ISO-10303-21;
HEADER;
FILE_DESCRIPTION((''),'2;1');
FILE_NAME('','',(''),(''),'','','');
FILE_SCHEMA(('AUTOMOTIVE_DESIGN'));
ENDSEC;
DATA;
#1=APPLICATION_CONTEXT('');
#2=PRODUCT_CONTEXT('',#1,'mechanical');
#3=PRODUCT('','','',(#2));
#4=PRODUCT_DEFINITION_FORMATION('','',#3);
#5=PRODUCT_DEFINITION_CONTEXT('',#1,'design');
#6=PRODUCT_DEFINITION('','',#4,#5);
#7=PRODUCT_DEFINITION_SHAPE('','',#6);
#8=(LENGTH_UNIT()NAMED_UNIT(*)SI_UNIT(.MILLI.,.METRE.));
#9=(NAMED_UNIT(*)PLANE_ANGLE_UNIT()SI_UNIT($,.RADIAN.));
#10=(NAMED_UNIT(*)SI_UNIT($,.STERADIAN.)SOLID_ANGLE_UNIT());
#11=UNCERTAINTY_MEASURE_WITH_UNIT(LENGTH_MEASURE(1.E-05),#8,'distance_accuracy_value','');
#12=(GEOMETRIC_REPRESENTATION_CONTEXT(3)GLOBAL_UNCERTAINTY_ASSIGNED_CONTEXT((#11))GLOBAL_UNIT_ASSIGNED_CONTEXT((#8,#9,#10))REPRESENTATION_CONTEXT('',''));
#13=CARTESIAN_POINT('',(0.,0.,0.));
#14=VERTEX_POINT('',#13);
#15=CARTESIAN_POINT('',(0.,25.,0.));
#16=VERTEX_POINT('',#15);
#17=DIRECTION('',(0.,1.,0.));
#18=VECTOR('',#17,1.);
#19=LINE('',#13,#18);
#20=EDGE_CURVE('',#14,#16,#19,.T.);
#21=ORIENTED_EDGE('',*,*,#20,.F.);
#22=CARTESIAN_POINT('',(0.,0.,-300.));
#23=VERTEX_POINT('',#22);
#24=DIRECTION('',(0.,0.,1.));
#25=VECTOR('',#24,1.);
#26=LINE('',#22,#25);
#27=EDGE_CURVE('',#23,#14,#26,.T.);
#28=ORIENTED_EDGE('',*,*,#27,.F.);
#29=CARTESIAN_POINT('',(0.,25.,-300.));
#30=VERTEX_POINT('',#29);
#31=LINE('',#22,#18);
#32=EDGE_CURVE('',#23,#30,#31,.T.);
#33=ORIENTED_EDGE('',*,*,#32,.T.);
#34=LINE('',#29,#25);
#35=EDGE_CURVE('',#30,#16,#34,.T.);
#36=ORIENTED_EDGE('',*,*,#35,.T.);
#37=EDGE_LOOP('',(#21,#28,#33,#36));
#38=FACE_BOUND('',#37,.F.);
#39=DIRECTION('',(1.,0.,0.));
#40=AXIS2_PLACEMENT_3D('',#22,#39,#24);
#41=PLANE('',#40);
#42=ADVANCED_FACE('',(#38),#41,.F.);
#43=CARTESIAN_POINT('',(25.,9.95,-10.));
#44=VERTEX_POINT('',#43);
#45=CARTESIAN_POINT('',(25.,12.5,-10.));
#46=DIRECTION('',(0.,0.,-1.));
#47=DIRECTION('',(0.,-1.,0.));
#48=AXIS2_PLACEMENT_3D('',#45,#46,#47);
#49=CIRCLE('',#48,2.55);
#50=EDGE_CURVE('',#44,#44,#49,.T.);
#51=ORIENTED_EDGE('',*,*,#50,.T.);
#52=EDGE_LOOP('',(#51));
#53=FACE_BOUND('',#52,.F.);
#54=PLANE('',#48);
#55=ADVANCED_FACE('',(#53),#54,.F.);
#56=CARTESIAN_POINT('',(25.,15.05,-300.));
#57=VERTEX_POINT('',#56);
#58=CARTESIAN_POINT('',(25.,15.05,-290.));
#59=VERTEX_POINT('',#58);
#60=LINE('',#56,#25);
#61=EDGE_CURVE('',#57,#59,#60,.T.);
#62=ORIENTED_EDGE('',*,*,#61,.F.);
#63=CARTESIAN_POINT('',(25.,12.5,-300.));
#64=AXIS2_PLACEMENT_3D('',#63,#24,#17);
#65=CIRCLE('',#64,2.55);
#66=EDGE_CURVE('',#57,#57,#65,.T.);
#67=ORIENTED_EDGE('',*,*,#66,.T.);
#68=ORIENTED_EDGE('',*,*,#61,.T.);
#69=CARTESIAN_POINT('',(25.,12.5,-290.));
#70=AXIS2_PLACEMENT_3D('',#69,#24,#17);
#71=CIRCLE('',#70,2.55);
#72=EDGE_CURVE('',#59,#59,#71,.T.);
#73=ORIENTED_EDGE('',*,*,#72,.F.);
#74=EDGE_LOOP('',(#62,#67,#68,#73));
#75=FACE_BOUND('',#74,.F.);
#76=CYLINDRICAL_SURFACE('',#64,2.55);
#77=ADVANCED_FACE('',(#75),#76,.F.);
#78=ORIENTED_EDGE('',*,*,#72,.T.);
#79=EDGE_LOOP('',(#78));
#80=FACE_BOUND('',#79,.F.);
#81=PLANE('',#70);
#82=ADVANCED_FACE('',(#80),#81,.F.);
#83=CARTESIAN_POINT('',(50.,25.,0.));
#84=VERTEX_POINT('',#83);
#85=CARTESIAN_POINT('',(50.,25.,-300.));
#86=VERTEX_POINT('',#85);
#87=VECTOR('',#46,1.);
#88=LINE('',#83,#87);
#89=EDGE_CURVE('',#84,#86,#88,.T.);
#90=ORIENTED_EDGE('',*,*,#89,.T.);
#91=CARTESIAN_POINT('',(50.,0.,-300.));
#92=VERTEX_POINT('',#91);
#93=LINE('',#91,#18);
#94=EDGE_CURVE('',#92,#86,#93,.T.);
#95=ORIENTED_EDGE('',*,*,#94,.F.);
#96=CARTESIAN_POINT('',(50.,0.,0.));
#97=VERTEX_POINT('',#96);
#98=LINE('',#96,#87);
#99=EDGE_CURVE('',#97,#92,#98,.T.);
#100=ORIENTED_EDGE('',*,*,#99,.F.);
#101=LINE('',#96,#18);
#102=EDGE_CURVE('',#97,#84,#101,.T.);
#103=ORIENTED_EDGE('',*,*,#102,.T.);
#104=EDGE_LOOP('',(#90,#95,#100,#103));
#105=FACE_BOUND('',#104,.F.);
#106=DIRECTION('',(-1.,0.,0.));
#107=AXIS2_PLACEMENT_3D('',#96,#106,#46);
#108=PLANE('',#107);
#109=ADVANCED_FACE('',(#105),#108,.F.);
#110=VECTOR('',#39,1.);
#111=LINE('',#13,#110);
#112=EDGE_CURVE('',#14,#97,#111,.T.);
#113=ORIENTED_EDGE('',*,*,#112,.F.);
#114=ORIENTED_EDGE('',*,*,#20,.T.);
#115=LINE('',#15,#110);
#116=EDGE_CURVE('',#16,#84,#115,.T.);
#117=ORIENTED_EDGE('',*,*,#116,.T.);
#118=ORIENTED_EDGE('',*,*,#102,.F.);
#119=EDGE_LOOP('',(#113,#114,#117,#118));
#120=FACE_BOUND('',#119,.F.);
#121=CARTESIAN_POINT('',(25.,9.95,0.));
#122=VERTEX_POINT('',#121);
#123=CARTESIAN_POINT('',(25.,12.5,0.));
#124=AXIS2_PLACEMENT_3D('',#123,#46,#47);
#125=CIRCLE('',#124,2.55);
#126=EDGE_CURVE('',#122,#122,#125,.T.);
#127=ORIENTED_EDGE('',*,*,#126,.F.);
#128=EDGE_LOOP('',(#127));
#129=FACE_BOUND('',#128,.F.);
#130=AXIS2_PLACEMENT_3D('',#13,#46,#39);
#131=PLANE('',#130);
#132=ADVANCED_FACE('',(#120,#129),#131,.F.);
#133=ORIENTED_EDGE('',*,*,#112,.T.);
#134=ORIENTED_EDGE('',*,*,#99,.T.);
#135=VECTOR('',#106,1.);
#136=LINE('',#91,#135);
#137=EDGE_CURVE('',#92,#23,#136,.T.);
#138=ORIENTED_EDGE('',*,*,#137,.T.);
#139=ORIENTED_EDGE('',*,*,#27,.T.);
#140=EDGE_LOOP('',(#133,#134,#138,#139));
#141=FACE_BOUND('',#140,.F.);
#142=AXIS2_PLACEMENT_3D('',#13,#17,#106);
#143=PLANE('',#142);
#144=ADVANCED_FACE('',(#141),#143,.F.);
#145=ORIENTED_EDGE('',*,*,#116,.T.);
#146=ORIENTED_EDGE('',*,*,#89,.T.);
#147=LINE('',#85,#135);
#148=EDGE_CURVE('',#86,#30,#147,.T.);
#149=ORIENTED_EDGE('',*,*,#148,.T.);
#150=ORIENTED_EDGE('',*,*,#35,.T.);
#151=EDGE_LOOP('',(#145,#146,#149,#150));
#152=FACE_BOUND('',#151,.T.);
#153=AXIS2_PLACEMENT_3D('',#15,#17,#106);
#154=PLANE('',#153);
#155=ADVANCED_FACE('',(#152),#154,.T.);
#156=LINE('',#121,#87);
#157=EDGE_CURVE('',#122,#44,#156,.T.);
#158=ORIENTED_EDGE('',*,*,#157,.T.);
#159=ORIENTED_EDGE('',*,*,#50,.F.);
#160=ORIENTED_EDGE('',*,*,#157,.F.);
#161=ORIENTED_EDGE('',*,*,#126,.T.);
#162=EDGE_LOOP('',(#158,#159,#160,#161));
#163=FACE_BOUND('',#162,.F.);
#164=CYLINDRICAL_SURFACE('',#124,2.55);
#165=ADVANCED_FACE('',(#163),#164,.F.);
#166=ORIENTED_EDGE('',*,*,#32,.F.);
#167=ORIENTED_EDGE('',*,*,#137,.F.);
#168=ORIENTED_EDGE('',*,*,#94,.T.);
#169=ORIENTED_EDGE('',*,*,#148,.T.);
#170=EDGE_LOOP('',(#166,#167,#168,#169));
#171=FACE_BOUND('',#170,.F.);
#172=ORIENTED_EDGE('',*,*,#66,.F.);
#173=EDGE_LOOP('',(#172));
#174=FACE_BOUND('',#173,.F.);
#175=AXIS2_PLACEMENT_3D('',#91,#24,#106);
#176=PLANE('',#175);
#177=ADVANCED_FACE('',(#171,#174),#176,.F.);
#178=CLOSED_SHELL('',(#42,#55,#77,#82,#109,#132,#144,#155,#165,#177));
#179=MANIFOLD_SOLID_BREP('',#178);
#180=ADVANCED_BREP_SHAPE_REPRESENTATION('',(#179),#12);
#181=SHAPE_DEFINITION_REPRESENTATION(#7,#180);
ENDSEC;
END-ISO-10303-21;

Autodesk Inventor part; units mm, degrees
ref_plane "YZ Plane" through (0, 0, 0) normal (1, 0, 0) x (0, 1, 0)
ref_plane "XZ Plane" through (0, 0, 0) normal (0, 1, 0) x (-1, 0, 0)
ref_plane "XY Plane" through (0, 0, 0) normal (0, 0, 1) x (1, 0, 0)
sketch "スケッチ1" plane through (0, 0, 0) normal (0, 1, 0) x (-1, 0, 0)
  line L0 (0, 0) -> (-50, 0)
  line L1 (-50, 0) -> (-50, -300)
  line L2 (-50, -300) -> (0, -300)
  line L3 (0, -300) -> (0, 0)
  dimension "d0" = 50
  dimension "d1" = 300
extrude "押し出し1" add sketch "スケッチ1" along normal blind 25
ref_plane "作業平面1" through (0, 0, 0) normal (0, 0, 1) x (1, 0, 0)
sketch "スケッチ2" plane through (0, 0, 0) normal (0, 0, 1) x (1, 0, 0)
  point P0 (0, 0)
  point P1 (25, 12.5)
ref_plane "作業平面2" through (50, 0, -300) normal (0, 0, -1) x (-1, 0, 0)
sketch "スケッチ3" plane through (50, 0, -300) normal (0, 0, -1) x (-1, 0, 0)
  point P0 (50, 0)
  point P1 (25, 12.5)
hole "穴1" at (25, 12.5, -300) direction (0, 0, 1) diameter 5.1 depth 10
hole "穴2" at (25, 12.5, 0) direction (0, 0, -1) diameter 5.1 depth 10
properties part number "block1"
